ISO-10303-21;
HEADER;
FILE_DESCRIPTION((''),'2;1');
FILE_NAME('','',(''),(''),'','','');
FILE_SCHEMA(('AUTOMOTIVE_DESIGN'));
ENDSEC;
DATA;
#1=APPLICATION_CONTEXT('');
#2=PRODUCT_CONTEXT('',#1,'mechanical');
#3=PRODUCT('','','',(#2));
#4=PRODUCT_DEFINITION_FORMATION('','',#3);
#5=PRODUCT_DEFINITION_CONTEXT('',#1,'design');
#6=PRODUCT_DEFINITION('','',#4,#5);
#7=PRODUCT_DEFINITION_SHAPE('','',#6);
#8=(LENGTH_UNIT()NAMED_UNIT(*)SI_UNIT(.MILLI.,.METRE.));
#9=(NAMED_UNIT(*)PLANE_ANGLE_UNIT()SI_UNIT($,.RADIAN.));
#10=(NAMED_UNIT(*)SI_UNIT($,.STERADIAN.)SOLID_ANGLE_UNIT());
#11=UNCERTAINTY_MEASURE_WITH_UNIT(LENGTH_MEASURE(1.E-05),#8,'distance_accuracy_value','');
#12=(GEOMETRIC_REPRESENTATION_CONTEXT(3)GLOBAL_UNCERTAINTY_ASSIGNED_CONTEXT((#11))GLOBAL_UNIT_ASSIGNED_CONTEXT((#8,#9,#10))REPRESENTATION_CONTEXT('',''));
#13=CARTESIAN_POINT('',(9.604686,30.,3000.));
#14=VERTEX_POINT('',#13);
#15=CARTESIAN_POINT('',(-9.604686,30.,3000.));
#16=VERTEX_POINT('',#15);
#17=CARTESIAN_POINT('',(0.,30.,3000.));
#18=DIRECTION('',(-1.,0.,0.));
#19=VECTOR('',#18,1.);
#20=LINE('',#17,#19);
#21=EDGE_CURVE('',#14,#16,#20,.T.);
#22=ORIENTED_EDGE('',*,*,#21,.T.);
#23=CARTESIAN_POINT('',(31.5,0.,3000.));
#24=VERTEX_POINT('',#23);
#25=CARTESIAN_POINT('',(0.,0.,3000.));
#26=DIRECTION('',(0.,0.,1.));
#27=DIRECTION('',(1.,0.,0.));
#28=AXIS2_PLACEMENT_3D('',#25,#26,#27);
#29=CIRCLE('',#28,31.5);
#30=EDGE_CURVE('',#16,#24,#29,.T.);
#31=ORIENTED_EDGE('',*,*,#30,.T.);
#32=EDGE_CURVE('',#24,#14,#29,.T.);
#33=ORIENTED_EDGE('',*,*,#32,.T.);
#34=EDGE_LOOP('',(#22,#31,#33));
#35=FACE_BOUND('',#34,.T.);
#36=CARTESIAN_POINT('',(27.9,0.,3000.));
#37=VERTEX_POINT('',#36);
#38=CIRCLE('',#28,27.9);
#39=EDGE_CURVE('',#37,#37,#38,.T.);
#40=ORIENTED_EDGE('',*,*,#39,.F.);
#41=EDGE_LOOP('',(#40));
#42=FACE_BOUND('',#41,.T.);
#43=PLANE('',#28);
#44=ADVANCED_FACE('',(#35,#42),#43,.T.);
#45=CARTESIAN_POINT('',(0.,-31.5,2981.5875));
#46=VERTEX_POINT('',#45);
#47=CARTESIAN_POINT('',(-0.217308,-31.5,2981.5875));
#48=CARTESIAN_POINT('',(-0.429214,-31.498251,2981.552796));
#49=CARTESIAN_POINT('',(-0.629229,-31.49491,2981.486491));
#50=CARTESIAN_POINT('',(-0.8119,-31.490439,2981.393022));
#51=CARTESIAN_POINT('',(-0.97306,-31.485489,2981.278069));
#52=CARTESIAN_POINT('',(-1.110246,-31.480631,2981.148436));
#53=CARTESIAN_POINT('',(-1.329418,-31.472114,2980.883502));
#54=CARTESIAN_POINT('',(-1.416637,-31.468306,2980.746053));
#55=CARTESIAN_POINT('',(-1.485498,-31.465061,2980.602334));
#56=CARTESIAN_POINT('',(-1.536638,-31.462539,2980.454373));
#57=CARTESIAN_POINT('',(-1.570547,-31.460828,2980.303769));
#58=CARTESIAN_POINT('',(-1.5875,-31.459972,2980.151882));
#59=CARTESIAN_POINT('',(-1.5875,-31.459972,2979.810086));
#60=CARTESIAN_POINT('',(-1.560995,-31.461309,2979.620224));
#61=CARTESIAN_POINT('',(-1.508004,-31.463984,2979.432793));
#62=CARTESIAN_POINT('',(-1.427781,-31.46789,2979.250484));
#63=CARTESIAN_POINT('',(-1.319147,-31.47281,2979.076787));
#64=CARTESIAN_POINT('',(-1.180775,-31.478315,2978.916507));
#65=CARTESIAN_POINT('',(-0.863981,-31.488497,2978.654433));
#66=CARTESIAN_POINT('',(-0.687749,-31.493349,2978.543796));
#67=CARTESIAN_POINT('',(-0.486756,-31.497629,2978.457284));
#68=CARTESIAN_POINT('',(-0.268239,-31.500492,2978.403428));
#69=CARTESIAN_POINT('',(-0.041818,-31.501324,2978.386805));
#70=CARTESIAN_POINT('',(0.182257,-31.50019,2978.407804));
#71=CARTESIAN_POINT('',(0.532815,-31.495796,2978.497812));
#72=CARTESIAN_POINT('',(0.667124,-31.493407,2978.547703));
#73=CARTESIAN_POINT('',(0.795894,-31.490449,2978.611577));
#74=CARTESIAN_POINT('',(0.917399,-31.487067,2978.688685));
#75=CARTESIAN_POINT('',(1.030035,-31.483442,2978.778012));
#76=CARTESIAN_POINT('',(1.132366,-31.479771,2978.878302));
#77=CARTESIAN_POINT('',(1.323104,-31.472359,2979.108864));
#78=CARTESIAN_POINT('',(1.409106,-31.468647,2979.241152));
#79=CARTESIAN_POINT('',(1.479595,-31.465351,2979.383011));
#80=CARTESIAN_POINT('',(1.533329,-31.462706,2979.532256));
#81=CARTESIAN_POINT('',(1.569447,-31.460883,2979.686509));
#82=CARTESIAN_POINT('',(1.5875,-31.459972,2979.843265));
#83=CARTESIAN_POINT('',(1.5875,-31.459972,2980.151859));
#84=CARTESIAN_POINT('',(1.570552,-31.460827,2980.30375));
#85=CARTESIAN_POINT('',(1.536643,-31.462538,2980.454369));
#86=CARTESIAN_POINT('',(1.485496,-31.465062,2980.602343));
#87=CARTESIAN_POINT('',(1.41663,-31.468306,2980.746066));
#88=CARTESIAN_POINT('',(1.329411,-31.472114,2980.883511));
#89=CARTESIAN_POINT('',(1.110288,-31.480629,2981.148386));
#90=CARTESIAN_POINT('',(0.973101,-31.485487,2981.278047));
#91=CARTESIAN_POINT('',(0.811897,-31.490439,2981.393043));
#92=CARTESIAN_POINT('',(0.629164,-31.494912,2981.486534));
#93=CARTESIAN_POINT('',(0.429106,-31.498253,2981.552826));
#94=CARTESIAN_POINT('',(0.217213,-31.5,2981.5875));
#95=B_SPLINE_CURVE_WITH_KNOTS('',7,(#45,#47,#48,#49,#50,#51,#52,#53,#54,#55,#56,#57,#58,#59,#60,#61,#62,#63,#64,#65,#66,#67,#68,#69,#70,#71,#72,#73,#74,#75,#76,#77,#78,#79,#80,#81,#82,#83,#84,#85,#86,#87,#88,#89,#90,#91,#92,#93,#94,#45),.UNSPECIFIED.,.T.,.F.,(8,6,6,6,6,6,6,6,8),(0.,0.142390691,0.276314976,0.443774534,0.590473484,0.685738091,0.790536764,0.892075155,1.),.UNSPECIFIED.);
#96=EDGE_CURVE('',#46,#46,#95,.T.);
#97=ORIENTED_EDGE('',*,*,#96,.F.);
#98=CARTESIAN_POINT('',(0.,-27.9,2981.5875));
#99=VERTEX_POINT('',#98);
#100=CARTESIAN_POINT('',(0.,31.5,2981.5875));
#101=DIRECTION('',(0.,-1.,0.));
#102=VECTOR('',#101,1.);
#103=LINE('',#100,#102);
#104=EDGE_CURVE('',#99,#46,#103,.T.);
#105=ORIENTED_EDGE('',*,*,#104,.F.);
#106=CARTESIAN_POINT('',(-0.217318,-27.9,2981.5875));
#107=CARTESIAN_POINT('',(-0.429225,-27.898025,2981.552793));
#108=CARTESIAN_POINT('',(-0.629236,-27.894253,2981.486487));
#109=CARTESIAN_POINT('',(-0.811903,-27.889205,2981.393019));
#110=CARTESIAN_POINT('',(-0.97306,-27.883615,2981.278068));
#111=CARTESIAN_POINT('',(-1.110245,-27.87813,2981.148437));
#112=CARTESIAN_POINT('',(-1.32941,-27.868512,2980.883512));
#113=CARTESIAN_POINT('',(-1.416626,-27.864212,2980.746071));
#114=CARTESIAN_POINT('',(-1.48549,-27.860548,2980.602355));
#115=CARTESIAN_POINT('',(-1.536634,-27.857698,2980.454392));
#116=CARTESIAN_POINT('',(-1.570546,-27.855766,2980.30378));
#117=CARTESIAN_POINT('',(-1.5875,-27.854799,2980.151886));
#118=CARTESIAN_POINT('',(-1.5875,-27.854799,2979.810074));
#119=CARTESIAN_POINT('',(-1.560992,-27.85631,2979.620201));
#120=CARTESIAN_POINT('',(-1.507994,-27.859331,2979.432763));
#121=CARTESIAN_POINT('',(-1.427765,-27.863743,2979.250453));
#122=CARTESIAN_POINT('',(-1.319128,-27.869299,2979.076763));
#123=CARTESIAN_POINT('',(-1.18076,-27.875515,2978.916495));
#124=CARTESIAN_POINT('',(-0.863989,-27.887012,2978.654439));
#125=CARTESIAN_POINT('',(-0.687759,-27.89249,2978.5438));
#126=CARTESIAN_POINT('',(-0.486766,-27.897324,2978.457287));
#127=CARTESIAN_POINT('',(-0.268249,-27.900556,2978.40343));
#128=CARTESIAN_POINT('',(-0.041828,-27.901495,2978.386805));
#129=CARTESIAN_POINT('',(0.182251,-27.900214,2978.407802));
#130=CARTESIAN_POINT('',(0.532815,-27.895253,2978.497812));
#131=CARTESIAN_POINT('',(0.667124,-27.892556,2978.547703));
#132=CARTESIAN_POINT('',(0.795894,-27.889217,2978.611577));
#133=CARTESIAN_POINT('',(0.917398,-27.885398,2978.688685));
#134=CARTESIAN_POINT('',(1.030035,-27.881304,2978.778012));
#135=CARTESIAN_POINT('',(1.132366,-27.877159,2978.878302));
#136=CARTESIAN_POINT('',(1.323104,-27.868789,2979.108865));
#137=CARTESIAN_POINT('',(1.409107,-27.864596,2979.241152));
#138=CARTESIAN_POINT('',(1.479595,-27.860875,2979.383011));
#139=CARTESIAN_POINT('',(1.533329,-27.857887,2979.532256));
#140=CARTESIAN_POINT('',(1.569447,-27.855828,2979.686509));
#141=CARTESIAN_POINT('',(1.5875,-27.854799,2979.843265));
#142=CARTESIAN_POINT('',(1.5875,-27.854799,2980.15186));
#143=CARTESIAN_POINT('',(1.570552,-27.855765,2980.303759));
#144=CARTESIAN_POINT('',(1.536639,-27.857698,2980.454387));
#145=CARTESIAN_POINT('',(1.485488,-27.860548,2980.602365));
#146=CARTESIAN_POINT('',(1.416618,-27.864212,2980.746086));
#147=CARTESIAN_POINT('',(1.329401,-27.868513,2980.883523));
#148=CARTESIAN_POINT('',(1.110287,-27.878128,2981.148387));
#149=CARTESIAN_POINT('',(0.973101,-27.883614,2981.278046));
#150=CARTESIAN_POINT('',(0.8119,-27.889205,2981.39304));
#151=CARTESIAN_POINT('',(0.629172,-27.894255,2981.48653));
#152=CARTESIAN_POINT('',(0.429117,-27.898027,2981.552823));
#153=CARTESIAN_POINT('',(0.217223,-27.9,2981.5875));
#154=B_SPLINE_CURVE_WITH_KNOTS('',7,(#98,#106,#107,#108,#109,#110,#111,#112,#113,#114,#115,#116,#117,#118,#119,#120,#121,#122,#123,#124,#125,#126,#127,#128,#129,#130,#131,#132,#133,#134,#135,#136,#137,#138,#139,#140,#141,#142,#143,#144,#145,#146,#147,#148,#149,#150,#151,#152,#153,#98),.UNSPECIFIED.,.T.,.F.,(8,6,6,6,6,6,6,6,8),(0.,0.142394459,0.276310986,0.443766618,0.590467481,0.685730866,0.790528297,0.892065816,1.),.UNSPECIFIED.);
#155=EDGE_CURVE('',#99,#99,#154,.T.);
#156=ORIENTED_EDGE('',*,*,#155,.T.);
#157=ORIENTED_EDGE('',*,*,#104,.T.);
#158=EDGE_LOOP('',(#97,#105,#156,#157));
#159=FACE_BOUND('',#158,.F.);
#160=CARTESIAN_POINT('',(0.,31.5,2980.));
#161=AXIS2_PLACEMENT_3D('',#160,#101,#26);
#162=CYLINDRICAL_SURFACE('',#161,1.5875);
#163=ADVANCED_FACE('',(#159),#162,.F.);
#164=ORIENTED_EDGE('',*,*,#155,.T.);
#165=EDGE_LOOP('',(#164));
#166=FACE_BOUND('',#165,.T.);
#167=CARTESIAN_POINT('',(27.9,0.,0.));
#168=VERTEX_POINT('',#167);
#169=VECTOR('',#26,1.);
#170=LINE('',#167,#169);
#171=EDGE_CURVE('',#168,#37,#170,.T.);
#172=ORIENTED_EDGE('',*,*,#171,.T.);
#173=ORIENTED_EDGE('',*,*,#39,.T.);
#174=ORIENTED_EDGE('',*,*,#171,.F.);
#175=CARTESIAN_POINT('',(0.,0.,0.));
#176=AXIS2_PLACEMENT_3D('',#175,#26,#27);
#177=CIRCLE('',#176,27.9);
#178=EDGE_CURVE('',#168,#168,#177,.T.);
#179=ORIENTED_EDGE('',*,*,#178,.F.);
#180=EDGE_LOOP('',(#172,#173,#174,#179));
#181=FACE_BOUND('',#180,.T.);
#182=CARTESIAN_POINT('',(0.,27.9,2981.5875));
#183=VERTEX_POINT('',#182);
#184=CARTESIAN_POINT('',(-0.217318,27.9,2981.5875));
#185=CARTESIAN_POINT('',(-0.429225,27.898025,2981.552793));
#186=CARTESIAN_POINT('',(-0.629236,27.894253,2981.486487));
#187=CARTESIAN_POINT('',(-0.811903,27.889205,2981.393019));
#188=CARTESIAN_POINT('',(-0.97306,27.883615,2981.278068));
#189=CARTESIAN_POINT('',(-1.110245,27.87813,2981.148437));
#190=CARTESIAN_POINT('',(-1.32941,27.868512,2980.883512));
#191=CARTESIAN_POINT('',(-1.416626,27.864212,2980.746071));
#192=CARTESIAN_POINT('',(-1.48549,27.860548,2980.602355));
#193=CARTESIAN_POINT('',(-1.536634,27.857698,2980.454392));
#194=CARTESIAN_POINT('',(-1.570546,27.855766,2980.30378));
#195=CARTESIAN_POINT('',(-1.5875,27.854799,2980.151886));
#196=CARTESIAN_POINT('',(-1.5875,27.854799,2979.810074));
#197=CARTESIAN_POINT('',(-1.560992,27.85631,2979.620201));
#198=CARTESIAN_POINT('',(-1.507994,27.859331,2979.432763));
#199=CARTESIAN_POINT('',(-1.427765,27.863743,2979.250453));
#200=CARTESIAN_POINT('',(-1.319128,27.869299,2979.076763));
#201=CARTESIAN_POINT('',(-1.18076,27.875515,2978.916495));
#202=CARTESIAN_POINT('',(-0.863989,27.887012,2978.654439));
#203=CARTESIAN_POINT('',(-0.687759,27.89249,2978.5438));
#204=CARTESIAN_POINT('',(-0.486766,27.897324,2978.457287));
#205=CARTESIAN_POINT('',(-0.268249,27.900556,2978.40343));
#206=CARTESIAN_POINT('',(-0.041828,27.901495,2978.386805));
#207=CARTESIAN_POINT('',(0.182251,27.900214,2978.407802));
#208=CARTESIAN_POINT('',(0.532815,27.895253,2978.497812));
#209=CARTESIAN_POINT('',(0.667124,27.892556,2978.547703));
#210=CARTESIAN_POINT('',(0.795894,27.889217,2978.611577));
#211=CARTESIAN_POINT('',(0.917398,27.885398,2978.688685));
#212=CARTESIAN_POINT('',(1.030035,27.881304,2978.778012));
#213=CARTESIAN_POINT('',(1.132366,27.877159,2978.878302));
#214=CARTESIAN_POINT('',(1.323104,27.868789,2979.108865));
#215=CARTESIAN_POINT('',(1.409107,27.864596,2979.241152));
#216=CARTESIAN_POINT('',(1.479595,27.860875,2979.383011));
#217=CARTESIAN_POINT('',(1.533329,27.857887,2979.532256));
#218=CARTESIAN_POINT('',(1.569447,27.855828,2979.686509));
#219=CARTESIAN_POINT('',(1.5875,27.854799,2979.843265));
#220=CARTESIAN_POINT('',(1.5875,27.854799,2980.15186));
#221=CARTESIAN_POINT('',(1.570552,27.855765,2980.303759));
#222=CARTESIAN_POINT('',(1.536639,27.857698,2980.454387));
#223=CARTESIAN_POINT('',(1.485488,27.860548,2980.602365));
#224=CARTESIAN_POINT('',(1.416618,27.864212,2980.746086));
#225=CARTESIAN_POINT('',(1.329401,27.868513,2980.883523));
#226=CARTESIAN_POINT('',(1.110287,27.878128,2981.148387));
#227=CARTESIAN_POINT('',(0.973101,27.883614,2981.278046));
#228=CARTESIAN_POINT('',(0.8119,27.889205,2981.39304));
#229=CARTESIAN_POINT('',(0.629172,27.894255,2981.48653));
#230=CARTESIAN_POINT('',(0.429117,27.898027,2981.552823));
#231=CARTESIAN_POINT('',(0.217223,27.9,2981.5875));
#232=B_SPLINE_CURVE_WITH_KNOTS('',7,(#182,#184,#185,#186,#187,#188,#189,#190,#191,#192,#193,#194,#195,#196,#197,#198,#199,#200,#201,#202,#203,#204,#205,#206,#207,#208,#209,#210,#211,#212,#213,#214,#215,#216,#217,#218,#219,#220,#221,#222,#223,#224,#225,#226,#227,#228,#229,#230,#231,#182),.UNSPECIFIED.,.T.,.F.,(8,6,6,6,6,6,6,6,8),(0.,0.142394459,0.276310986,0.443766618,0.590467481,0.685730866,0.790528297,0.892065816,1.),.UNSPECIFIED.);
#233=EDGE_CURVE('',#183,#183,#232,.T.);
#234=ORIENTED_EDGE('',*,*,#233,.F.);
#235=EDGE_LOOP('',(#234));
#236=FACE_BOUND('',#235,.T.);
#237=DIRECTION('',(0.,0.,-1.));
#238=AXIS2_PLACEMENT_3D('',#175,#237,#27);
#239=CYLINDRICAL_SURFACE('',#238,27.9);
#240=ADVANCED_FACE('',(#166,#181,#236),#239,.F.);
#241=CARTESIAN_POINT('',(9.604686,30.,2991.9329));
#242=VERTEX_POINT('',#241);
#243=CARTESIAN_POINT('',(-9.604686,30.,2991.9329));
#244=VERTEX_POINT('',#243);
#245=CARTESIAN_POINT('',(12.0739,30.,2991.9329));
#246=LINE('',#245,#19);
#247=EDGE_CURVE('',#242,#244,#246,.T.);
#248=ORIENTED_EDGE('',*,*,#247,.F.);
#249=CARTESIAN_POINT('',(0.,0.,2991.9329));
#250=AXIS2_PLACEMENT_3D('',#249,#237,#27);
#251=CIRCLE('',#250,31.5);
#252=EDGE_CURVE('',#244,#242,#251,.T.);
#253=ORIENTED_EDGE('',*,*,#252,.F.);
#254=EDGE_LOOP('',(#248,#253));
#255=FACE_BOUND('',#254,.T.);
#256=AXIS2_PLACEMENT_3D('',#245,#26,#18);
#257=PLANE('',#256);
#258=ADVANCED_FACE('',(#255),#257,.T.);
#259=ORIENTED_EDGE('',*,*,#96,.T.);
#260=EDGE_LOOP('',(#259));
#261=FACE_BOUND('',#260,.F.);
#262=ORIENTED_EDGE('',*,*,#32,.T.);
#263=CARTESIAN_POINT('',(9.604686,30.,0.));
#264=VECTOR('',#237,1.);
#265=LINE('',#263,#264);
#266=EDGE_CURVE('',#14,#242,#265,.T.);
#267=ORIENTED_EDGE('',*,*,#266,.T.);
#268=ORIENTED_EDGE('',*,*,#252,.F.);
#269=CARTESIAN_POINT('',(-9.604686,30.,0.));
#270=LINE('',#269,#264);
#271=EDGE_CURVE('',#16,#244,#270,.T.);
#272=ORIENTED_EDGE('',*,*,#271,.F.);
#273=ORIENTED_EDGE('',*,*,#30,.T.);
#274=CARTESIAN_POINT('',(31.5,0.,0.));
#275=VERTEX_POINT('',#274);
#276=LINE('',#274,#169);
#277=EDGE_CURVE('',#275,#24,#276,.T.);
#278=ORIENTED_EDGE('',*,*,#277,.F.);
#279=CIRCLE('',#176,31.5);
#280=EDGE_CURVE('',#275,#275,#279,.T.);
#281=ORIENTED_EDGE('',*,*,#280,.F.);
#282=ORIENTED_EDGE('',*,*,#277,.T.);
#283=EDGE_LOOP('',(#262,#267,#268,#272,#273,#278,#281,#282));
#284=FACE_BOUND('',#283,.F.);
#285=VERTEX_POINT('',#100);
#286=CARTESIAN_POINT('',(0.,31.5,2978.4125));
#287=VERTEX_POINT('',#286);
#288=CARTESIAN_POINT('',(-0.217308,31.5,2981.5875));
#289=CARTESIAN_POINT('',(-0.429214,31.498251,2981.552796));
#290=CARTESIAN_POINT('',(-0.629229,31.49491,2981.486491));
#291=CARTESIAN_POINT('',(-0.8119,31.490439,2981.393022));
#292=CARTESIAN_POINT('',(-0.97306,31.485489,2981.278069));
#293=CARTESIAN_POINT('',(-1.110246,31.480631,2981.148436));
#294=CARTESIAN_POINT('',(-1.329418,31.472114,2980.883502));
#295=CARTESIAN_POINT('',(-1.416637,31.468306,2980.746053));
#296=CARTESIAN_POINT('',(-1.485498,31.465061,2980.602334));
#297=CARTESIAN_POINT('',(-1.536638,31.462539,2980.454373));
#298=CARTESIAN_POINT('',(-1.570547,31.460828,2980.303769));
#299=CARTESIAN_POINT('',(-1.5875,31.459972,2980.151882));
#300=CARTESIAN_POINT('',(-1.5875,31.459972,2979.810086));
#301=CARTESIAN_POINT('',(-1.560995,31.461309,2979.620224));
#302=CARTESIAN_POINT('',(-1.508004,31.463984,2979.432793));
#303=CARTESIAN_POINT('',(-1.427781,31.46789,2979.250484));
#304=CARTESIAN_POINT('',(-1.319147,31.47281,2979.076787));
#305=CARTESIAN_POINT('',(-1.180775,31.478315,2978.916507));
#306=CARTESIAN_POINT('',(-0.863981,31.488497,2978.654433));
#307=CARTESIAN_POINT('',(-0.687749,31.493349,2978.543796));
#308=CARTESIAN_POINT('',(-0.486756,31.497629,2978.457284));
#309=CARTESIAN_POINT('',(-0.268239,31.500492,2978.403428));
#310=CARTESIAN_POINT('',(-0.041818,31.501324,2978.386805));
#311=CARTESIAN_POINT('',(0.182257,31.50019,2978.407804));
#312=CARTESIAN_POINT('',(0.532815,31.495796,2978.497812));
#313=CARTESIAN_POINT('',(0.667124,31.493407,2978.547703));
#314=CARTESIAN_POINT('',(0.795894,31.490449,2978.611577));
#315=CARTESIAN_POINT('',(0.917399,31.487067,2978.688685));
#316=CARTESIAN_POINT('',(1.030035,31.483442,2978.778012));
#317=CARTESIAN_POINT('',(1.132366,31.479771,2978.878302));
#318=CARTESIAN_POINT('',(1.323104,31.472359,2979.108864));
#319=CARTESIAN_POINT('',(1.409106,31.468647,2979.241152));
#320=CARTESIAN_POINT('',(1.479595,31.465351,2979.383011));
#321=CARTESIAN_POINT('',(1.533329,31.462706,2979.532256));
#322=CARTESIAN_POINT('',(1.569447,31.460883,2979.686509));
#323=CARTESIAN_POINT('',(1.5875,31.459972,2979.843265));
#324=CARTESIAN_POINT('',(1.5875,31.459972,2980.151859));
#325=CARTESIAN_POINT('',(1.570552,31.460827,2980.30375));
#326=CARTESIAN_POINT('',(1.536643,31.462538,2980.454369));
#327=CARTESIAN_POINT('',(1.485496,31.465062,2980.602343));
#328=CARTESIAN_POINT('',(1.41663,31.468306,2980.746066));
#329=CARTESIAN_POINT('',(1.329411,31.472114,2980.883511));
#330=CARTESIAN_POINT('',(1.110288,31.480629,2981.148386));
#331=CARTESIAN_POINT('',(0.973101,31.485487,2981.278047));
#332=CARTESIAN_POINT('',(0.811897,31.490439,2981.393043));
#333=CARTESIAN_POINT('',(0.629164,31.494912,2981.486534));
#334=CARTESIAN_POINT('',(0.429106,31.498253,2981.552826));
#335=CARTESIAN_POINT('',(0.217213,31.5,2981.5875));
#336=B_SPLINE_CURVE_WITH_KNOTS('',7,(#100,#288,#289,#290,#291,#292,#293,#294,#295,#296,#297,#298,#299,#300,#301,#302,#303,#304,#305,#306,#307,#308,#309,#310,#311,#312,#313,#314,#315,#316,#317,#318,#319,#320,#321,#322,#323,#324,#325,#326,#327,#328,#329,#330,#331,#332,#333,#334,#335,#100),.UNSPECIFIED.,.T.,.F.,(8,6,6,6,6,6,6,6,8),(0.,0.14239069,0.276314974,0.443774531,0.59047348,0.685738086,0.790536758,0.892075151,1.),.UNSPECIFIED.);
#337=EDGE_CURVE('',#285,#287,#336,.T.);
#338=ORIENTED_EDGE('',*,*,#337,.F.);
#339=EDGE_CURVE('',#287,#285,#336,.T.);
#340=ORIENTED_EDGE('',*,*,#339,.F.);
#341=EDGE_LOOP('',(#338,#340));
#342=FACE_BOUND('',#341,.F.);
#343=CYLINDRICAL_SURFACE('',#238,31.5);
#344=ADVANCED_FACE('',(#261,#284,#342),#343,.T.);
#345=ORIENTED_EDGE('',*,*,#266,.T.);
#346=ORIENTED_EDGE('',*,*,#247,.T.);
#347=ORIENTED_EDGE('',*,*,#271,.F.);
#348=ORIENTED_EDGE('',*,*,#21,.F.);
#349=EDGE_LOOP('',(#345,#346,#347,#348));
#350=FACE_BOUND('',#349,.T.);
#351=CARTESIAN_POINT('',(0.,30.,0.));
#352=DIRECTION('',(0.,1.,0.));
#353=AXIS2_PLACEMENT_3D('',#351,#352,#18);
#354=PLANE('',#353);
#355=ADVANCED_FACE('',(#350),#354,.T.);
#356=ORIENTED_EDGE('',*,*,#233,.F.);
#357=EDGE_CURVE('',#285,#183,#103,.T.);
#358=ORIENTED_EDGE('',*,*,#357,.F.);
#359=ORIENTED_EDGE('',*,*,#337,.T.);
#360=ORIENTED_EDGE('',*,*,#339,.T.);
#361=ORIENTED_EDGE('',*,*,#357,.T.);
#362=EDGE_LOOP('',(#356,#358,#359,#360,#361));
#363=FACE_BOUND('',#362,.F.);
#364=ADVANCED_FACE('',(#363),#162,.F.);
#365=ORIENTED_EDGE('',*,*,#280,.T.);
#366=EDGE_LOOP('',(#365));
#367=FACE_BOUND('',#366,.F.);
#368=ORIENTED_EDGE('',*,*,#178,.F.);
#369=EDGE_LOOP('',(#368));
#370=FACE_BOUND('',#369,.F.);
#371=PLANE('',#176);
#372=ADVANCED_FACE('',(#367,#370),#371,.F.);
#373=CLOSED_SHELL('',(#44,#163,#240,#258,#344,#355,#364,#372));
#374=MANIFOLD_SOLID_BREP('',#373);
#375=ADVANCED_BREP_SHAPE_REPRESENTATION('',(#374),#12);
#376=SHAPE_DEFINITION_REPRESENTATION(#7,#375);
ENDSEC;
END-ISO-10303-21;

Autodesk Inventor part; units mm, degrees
ref_plane "YZ Plane" through (0, 0, 0) normal (1, 0, 0) x (0, 1, 0)
sketch "Sketch1" plane through (0, 0, 0) normal (0, 0, 1) x (1, 0, 0)
  circle A0 centre (0, 0) radius 31.5
  circle A1 centre (0, 0) radius 27.9
  dimension "d0" = 63
  dimension "d2" = 3.6
extrude "Extrusion1" add sketch "Sketch1" along normal blind 3000
sketch "Sketch4" plane through (0, 0, 3000) normal (0, 0, 1) x (1, 0, 0)
  circle A0 centre (0, 0) radius 27.9 projected
  circle A1 centre (0, 0) radius 31.5 projected
  point P0 (0, 31.5)
ref_plane "Work Plane2" through (0, 31.5, 3000) normal (0, 1, 0) x (-1, 0, 0)
sketch "Sketch5" plane through (0, 31.5, 3000) normal (0, 1, 0) x (-1, 0, 0)
  circle A0 centre (0, -20) radius 2.0895
  line L0 (31.5, 0) -> (-31.5, 0) projected
  point P0 (0, -3000)
  dimension "d16" = 20
hole "Hole2" at (0, 31.5, 2980) direction (0, -1, 0) diameter 3.175 end through all
ref_plane "Work Plane3" through (0, 30, 0) normal (0, 1, 0) x (-1, 0, 0)
sketch "Sketch6" plane through (0, 30, 0) normal (0, 1, 0) x (-1, 0, 0)
  line L0 (-12.0739, 2991.9329) -> (13.0933, 2991.9329)
  line L1 (13.0933, 2991.9329) -> (13.0933, 3000.225)
  line L2 (13.0933, 3000.225) -> (-12.0739, 3000.225)
  line L3 (-12.0739, 3000.225) -> (-12.0739, 2991.9329)
  point P0 (0, 0)
extrude "Extrusion2" cut sketch "Sketch6" along normal blind 25.4
properties part number "2p5rss" material "PVC-Piping"
